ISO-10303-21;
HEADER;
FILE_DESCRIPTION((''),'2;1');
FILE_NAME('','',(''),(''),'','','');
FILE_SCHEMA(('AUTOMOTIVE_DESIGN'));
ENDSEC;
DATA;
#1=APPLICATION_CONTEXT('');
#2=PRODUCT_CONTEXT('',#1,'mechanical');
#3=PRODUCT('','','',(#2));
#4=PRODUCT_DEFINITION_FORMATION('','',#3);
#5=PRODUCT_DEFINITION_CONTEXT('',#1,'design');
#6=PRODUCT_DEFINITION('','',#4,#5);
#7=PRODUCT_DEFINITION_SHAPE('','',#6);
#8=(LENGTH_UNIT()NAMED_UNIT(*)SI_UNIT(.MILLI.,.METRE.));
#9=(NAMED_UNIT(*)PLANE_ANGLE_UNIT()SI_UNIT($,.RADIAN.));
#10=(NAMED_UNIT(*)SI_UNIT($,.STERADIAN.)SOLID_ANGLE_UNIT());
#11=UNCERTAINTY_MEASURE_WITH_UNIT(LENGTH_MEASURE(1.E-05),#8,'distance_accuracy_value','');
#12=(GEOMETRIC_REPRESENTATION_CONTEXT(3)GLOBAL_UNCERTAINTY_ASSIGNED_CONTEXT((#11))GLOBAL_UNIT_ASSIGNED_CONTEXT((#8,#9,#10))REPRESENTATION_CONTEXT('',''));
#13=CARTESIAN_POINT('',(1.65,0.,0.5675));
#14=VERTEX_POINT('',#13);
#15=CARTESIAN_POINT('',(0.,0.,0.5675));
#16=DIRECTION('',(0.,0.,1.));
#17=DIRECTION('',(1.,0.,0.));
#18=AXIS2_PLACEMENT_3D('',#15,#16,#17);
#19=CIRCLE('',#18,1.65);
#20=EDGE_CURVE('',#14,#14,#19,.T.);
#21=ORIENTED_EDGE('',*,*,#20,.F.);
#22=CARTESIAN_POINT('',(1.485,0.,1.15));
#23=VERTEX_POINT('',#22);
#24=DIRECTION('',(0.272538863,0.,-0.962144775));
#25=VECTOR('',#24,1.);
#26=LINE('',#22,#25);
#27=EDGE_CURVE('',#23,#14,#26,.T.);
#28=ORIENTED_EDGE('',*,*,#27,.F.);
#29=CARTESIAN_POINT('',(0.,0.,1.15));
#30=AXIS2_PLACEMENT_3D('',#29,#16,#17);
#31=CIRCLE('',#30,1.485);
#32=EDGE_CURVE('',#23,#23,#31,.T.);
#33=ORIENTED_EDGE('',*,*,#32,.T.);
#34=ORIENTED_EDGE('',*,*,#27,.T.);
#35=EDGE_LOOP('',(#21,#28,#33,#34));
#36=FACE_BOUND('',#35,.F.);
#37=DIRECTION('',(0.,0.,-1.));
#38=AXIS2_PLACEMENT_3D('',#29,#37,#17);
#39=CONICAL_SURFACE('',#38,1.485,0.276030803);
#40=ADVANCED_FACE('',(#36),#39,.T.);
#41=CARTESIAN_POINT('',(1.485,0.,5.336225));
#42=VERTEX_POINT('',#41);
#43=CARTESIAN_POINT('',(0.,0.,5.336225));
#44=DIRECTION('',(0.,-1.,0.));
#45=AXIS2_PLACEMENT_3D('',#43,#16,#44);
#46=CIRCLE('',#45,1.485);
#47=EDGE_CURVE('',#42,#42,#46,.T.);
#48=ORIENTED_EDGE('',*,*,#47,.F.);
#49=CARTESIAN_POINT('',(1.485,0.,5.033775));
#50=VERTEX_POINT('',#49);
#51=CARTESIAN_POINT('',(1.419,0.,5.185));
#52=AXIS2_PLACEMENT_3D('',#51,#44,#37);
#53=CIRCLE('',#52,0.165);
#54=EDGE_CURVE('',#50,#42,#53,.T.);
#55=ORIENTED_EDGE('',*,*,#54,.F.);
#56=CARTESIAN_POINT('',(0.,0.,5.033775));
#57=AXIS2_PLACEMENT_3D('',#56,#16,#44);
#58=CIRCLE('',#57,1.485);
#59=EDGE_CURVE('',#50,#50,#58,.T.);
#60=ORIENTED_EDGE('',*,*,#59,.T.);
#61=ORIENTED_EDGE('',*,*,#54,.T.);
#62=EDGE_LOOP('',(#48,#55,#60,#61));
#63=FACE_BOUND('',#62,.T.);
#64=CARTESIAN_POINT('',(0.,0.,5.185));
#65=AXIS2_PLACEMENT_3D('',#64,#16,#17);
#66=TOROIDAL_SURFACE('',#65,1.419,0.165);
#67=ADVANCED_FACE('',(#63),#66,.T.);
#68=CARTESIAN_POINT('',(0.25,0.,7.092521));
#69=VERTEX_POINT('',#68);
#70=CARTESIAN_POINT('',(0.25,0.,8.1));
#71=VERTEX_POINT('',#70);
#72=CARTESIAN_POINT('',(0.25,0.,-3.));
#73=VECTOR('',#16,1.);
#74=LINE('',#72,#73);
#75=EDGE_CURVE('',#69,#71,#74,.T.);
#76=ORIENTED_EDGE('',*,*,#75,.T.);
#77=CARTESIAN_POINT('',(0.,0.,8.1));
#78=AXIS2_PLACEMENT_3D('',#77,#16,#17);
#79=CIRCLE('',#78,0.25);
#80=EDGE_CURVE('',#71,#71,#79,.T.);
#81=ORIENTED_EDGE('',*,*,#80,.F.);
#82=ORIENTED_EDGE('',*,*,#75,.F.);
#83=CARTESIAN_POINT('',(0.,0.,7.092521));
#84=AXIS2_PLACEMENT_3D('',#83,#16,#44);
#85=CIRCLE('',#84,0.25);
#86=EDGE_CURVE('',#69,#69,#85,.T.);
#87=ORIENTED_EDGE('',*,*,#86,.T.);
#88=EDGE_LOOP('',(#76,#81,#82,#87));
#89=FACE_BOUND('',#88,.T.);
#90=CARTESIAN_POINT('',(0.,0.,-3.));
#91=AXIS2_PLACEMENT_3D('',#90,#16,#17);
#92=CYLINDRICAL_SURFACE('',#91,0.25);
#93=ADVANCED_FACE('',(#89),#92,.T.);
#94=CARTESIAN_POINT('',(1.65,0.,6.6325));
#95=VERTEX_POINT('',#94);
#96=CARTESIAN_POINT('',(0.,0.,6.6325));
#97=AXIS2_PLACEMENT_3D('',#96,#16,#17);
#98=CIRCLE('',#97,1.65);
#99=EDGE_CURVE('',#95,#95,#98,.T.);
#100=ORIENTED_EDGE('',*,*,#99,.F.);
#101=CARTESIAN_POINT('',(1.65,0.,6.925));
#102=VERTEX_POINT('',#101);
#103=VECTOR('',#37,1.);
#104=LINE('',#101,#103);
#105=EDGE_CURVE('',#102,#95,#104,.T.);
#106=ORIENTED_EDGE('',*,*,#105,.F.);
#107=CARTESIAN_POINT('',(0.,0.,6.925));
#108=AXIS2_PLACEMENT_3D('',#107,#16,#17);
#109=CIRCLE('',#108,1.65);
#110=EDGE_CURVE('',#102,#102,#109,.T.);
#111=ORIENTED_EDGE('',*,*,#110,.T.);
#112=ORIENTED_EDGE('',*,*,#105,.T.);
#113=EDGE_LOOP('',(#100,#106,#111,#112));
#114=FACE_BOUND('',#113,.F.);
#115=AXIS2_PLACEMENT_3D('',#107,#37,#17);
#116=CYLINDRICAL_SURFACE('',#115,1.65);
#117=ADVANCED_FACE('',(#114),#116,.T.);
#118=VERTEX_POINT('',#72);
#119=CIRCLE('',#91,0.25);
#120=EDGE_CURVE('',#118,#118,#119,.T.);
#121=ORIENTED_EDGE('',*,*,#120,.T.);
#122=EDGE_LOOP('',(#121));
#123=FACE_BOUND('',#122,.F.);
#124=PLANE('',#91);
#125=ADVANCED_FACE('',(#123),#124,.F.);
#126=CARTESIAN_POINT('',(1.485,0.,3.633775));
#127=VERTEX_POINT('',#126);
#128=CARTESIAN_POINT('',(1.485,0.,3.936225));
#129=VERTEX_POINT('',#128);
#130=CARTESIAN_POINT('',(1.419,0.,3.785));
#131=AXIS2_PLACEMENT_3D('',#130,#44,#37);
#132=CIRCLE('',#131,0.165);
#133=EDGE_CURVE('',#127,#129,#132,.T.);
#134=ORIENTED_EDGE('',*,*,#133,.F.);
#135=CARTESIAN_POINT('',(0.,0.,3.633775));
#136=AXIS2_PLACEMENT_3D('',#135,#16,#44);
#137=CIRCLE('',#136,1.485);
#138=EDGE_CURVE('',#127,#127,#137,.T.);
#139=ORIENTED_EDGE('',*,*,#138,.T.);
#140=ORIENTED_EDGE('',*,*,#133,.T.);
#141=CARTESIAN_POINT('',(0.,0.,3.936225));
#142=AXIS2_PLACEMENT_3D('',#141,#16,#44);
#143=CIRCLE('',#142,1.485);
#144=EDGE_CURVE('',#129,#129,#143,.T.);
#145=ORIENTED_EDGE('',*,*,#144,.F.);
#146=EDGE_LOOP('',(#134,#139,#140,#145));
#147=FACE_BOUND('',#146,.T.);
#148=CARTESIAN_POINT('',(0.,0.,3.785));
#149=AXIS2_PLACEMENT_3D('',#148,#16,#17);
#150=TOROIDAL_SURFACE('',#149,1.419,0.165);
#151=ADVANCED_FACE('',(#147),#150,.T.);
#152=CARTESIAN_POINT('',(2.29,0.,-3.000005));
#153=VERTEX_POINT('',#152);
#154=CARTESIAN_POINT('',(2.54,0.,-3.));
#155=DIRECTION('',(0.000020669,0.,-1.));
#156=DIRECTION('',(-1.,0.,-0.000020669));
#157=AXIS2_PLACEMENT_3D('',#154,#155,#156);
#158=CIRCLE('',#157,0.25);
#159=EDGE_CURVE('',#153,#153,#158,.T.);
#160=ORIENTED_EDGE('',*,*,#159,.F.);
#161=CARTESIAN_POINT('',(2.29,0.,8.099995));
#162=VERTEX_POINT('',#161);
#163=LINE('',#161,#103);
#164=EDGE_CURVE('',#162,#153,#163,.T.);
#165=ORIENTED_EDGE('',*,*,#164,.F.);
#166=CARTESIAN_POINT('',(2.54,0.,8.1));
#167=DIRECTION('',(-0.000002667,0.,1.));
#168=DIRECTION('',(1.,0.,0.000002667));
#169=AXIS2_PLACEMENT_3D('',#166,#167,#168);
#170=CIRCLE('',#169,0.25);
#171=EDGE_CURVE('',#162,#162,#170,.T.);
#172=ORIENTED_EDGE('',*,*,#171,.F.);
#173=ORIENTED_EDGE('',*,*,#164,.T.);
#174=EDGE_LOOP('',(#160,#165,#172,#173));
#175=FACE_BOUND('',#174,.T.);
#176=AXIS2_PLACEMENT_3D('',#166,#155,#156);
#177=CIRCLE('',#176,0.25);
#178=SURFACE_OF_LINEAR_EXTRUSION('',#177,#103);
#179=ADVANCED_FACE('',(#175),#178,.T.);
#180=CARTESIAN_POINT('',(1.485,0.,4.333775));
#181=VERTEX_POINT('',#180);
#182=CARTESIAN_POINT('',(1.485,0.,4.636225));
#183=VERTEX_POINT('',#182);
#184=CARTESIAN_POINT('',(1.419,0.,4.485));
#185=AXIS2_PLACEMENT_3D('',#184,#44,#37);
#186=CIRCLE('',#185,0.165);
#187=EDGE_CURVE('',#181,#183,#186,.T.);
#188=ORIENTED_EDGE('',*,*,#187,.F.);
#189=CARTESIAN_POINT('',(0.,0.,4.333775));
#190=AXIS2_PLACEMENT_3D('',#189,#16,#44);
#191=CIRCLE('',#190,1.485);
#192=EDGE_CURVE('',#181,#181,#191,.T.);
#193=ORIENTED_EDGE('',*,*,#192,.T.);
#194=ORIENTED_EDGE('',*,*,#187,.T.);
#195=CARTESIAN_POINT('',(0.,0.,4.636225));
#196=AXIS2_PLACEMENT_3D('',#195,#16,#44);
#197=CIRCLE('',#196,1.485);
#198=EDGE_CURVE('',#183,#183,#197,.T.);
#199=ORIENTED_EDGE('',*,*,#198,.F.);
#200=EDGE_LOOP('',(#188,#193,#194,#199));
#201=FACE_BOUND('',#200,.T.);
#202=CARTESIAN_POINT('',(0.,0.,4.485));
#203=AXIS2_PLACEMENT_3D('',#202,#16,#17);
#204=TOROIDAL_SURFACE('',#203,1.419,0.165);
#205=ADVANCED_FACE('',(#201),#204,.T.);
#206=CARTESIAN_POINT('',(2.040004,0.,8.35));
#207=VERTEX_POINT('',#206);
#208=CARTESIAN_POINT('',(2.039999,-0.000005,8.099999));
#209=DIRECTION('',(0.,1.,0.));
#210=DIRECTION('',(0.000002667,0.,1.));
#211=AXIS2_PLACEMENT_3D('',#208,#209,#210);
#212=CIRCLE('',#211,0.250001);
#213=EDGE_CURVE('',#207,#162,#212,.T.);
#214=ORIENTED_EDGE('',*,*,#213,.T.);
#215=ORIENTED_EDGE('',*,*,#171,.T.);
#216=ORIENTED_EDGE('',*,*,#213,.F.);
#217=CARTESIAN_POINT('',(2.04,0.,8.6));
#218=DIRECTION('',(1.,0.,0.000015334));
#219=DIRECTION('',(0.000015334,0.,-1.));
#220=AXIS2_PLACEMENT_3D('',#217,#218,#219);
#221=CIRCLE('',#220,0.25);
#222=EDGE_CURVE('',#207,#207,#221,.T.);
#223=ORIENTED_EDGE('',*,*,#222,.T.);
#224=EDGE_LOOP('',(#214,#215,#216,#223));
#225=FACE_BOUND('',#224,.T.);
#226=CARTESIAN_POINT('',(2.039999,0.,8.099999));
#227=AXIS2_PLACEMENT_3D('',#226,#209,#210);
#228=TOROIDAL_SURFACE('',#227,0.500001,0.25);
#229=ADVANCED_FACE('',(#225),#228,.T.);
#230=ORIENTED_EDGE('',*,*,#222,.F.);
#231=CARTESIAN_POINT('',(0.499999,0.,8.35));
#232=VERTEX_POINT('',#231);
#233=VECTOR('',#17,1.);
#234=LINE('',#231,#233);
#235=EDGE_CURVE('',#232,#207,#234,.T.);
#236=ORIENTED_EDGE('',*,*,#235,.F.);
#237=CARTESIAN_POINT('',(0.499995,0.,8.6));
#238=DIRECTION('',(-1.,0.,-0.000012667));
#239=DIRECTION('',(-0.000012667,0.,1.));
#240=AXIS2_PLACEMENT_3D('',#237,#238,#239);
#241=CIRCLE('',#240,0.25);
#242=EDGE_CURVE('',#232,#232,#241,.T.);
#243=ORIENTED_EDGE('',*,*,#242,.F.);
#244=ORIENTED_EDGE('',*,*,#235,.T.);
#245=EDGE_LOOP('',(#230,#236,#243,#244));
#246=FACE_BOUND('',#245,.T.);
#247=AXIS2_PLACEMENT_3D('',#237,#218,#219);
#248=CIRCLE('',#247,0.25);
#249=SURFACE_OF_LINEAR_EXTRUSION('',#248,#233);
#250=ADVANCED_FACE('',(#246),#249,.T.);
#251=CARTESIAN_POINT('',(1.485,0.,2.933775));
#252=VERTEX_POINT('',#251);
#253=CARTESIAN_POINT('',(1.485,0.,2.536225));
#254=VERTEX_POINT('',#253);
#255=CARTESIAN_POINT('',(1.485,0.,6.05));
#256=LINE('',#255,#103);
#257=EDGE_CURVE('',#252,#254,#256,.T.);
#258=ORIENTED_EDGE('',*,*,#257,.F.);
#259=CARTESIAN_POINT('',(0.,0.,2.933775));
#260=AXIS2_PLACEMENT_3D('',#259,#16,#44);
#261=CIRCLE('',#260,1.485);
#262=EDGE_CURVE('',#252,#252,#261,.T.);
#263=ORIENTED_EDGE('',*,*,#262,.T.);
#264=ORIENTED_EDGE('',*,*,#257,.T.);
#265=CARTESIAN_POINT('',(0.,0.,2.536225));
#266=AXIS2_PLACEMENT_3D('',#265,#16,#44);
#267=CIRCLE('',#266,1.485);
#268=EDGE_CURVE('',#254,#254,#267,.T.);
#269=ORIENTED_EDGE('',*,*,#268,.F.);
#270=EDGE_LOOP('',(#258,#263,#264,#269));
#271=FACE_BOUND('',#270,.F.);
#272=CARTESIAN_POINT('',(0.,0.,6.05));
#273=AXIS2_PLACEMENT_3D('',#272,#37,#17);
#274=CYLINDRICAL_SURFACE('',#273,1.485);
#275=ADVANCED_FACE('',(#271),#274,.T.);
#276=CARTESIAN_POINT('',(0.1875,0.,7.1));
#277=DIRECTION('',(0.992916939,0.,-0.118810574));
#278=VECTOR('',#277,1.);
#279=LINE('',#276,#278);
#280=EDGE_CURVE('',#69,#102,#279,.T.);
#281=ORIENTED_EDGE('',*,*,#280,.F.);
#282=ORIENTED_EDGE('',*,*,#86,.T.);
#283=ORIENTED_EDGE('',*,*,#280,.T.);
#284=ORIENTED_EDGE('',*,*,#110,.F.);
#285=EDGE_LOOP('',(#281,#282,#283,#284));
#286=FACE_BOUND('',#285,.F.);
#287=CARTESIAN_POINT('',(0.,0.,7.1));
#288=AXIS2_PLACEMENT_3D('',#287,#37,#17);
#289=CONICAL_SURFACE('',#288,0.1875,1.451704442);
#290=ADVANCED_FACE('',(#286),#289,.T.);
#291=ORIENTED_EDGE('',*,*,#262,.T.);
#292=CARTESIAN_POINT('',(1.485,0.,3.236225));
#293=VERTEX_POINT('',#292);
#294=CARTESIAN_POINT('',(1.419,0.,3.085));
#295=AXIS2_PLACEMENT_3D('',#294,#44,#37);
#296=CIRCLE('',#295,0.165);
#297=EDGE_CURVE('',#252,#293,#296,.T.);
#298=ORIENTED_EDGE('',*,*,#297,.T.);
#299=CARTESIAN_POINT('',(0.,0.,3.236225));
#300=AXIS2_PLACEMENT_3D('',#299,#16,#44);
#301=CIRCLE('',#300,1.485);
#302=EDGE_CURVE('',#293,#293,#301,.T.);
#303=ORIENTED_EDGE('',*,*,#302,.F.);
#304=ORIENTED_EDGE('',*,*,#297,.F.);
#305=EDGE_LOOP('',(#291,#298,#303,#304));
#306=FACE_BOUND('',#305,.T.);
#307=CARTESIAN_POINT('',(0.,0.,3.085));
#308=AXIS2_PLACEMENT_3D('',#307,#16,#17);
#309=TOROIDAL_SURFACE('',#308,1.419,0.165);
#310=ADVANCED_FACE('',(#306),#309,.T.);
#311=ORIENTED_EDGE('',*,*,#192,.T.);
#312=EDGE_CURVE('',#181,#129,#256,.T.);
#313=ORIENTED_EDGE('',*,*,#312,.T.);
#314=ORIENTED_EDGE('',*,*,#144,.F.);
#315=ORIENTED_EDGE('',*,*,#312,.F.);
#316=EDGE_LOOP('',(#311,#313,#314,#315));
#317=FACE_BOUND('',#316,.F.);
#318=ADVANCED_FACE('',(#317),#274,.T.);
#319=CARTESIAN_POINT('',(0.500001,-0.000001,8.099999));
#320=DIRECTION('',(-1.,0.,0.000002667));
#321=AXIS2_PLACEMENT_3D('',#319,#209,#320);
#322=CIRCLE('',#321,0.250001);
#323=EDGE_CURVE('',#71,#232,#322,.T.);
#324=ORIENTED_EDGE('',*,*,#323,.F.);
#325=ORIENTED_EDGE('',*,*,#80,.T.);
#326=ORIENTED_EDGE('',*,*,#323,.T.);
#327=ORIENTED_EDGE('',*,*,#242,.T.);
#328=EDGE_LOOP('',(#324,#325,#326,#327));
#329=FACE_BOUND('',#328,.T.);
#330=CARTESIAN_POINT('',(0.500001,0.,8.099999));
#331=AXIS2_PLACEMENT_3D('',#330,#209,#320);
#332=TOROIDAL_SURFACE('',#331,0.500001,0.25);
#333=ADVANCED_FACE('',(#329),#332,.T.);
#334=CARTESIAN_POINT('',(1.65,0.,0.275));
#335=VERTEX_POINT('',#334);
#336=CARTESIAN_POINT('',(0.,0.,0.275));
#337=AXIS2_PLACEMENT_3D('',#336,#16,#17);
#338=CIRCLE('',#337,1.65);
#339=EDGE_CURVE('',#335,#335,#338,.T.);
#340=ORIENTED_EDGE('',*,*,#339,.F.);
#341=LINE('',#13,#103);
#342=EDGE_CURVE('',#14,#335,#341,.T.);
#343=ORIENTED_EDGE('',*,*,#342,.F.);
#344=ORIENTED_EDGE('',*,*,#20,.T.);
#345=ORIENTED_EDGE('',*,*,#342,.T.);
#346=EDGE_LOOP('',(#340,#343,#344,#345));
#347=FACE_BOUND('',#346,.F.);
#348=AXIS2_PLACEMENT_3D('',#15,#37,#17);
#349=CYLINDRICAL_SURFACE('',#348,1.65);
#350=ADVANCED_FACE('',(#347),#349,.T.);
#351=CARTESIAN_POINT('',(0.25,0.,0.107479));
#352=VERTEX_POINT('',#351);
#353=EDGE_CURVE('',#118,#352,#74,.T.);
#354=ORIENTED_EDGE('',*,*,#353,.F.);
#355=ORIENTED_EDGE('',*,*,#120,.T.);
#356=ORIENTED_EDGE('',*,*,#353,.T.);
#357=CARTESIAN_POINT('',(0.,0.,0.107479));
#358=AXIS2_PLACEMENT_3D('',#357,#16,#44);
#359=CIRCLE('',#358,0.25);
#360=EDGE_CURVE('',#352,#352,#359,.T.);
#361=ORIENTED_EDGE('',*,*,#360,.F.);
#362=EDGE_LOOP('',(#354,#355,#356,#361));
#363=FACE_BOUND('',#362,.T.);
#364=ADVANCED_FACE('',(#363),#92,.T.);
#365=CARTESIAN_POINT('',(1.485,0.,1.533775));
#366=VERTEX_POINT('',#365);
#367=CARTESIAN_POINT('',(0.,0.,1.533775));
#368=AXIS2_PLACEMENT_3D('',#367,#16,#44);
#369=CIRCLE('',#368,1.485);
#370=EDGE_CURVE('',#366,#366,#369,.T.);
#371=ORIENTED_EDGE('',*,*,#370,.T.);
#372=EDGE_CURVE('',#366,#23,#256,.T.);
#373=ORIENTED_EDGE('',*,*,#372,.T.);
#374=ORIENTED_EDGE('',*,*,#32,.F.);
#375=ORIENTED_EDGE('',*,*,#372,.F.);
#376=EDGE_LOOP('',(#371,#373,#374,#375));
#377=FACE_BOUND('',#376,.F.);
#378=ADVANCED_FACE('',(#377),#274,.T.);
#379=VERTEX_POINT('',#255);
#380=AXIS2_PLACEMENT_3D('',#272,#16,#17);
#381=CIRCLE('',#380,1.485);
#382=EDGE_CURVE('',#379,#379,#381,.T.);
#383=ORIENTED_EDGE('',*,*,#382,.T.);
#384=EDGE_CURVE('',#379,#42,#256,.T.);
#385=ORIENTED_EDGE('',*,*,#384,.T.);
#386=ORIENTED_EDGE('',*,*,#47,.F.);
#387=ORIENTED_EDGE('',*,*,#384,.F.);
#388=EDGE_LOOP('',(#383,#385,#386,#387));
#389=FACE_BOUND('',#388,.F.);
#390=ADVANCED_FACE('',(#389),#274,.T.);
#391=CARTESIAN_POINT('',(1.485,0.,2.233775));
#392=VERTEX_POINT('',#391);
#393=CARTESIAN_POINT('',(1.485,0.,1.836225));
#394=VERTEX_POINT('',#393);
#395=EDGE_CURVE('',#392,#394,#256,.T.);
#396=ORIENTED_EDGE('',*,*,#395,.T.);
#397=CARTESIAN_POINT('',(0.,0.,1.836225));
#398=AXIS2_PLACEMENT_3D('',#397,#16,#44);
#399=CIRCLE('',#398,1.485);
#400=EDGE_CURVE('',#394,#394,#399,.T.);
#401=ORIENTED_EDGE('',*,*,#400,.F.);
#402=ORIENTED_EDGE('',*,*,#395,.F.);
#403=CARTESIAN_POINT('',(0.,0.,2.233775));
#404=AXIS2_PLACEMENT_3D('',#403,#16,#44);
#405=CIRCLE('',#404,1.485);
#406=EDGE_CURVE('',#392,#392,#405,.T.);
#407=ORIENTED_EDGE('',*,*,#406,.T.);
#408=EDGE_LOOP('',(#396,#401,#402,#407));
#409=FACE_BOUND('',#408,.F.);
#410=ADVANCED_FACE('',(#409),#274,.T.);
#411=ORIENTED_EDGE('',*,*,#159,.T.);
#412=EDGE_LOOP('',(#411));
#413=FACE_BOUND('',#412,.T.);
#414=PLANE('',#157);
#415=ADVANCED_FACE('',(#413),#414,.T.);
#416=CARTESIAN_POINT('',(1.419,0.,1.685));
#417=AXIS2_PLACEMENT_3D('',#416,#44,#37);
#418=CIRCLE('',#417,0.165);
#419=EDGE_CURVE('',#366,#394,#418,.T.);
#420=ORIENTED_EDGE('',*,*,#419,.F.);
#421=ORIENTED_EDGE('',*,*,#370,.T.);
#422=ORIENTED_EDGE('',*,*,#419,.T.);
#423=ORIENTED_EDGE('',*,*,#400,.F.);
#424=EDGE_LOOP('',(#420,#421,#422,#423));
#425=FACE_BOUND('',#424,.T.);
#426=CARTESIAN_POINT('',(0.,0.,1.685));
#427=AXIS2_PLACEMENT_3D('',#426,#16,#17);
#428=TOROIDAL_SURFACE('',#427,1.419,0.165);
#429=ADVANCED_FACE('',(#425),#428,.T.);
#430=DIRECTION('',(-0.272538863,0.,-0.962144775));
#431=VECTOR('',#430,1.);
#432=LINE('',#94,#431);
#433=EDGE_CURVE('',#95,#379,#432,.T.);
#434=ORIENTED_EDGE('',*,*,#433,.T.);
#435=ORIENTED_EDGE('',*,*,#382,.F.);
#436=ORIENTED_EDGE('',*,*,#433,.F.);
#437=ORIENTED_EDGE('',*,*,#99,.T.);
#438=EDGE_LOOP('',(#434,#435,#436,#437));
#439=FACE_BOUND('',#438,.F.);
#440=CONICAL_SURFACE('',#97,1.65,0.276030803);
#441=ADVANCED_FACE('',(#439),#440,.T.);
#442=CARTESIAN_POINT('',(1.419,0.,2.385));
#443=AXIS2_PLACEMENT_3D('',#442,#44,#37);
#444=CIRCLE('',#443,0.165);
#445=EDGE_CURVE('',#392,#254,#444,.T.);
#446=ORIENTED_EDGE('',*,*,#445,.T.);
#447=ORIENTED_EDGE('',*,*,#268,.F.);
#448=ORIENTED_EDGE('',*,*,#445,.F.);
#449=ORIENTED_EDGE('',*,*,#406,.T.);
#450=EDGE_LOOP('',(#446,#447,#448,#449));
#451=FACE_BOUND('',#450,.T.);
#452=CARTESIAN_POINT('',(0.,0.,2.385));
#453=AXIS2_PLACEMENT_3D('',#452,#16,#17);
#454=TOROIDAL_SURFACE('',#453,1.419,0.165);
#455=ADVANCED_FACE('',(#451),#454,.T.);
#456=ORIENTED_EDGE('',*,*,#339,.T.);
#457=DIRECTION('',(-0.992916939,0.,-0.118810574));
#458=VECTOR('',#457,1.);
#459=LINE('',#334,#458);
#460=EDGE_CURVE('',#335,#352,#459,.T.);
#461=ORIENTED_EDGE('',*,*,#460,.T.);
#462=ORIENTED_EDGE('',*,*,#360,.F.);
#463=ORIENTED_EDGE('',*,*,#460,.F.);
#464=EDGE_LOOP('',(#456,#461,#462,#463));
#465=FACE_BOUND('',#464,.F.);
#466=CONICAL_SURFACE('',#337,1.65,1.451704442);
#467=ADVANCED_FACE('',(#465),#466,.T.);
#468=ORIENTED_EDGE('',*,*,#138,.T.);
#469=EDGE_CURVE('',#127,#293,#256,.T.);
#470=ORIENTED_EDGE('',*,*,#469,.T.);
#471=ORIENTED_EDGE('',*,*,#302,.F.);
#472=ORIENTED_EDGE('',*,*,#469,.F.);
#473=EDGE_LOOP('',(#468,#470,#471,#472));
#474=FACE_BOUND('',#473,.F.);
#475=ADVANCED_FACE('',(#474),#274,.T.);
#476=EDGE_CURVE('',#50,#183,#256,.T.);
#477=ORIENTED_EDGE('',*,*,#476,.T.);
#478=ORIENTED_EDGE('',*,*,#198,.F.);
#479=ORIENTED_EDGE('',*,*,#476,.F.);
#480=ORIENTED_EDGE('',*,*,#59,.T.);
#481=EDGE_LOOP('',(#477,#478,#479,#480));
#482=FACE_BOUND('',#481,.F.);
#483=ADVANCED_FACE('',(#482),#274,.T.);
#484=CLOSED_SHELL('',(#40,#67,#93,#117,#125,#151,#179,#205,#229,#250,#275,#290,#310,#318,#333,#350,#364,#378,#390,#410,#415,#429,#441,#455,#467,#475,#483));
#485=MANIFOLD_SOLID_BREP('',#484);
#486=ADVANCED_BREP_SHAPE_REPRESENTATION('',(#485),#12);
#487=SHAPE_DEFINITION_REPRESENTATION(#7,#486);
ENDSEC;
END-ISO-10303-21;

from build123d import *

# Parameters (mm, degrees)
SKETCH_R = 0.25


with BuildPart() as revolution:
    # Sketch002 → Revolution (revolve)
    with BuildSketch(Plane.XZ):
        Polygon((0, 0.1), (0, 7.1), (0.1875, 7.1), (1.65, 6.925), (1.65, 6.6325), (1.485, 6.05), (1.485, 1.15), (1.65, 0.5675), (1.65, 0.275), (0.1875, 0.1), align=None)
    revolve(axis=Axis((0, 0, 0), (0, 0, 1)))


with BuildPart() as sweep_body:
    # Sweep: sweep along a path in Sketch001
    with BuildLine(Plane.XZ) as sweep_path:
        Line((0, -3), (0, 8.1))
        ThreePointArc((0, 8.1), (0.146445, 8.453551), (0.499995, 8.6))
        Line((0.499995, 8.6), (2.04, 8.6))
        ThreePointArc((2.04, 8.6), (2.393553, 8.453553), (2.54, 8.1))
        Line((2.54, 8.1), (2.54, -3))
    # Sketch → Sweep (sweep)
    with BuildSketch(Plane.XY.offset(-2)):
        Circle(SKETCH_R)
    sweep(path=sweep_path.line)


with BuildPart() as revolution001_mp_cp:
    # Sketch003 → Revolution001 (revolve)
    with BuildSketch(Plane.XZ):
        with BuildLine():
            Line((1.32, 5.72), (1.32, 1.15))
            Line((1.32, 1.15), (1.419, 1.15))
            Line((1.419, 1.15), (1.419, 1.52))
            ThreePointArc((1.419, 1.52), (1.584, 1.685), (1.419, 1.85))
            Line((1.419, 1.85), (1.419, 2.22))
            ThreePointArc((1.419, 2.22), (1.584, 2.385), (1.419, 2.55))
            Line((1.419, 2.55), (1.419, 2.92))
            ThreePointArc((1.419, 2.92), (1.584, 3.085), (1.419, 3.25))
            Line((1.419, 3.25), (1.419, 3.62))
            ThreePointArc((1.419, 3.62), (1.584, 3.785), (1.419, 3.95))
            Line((1.419, 3.95), (1.419, 4.32))
            ThreePointArc((1.419, 4.32), (1.584, 4.485), (1.419, 4.65))
            Line((1.419, 4.65), (1.419, 5.02))
            ThreePointArc((1.419, 5.02), (1.584, 5.185), (1.419, 5.35))
            Line((1.419, 5.72), (1.419, 5.35))
            Line((1.32, 5.72), (1.419, 5.72))
        make_face()
    revolve(axis=Axis((0, 0, 0), (0, 0, 1)))

    # Revolution001_mp_cp: union Revolution, Sweep body
    add(revolution.part)
    add(sweep_body.part)


solid = revolution001_mp_cp.part
